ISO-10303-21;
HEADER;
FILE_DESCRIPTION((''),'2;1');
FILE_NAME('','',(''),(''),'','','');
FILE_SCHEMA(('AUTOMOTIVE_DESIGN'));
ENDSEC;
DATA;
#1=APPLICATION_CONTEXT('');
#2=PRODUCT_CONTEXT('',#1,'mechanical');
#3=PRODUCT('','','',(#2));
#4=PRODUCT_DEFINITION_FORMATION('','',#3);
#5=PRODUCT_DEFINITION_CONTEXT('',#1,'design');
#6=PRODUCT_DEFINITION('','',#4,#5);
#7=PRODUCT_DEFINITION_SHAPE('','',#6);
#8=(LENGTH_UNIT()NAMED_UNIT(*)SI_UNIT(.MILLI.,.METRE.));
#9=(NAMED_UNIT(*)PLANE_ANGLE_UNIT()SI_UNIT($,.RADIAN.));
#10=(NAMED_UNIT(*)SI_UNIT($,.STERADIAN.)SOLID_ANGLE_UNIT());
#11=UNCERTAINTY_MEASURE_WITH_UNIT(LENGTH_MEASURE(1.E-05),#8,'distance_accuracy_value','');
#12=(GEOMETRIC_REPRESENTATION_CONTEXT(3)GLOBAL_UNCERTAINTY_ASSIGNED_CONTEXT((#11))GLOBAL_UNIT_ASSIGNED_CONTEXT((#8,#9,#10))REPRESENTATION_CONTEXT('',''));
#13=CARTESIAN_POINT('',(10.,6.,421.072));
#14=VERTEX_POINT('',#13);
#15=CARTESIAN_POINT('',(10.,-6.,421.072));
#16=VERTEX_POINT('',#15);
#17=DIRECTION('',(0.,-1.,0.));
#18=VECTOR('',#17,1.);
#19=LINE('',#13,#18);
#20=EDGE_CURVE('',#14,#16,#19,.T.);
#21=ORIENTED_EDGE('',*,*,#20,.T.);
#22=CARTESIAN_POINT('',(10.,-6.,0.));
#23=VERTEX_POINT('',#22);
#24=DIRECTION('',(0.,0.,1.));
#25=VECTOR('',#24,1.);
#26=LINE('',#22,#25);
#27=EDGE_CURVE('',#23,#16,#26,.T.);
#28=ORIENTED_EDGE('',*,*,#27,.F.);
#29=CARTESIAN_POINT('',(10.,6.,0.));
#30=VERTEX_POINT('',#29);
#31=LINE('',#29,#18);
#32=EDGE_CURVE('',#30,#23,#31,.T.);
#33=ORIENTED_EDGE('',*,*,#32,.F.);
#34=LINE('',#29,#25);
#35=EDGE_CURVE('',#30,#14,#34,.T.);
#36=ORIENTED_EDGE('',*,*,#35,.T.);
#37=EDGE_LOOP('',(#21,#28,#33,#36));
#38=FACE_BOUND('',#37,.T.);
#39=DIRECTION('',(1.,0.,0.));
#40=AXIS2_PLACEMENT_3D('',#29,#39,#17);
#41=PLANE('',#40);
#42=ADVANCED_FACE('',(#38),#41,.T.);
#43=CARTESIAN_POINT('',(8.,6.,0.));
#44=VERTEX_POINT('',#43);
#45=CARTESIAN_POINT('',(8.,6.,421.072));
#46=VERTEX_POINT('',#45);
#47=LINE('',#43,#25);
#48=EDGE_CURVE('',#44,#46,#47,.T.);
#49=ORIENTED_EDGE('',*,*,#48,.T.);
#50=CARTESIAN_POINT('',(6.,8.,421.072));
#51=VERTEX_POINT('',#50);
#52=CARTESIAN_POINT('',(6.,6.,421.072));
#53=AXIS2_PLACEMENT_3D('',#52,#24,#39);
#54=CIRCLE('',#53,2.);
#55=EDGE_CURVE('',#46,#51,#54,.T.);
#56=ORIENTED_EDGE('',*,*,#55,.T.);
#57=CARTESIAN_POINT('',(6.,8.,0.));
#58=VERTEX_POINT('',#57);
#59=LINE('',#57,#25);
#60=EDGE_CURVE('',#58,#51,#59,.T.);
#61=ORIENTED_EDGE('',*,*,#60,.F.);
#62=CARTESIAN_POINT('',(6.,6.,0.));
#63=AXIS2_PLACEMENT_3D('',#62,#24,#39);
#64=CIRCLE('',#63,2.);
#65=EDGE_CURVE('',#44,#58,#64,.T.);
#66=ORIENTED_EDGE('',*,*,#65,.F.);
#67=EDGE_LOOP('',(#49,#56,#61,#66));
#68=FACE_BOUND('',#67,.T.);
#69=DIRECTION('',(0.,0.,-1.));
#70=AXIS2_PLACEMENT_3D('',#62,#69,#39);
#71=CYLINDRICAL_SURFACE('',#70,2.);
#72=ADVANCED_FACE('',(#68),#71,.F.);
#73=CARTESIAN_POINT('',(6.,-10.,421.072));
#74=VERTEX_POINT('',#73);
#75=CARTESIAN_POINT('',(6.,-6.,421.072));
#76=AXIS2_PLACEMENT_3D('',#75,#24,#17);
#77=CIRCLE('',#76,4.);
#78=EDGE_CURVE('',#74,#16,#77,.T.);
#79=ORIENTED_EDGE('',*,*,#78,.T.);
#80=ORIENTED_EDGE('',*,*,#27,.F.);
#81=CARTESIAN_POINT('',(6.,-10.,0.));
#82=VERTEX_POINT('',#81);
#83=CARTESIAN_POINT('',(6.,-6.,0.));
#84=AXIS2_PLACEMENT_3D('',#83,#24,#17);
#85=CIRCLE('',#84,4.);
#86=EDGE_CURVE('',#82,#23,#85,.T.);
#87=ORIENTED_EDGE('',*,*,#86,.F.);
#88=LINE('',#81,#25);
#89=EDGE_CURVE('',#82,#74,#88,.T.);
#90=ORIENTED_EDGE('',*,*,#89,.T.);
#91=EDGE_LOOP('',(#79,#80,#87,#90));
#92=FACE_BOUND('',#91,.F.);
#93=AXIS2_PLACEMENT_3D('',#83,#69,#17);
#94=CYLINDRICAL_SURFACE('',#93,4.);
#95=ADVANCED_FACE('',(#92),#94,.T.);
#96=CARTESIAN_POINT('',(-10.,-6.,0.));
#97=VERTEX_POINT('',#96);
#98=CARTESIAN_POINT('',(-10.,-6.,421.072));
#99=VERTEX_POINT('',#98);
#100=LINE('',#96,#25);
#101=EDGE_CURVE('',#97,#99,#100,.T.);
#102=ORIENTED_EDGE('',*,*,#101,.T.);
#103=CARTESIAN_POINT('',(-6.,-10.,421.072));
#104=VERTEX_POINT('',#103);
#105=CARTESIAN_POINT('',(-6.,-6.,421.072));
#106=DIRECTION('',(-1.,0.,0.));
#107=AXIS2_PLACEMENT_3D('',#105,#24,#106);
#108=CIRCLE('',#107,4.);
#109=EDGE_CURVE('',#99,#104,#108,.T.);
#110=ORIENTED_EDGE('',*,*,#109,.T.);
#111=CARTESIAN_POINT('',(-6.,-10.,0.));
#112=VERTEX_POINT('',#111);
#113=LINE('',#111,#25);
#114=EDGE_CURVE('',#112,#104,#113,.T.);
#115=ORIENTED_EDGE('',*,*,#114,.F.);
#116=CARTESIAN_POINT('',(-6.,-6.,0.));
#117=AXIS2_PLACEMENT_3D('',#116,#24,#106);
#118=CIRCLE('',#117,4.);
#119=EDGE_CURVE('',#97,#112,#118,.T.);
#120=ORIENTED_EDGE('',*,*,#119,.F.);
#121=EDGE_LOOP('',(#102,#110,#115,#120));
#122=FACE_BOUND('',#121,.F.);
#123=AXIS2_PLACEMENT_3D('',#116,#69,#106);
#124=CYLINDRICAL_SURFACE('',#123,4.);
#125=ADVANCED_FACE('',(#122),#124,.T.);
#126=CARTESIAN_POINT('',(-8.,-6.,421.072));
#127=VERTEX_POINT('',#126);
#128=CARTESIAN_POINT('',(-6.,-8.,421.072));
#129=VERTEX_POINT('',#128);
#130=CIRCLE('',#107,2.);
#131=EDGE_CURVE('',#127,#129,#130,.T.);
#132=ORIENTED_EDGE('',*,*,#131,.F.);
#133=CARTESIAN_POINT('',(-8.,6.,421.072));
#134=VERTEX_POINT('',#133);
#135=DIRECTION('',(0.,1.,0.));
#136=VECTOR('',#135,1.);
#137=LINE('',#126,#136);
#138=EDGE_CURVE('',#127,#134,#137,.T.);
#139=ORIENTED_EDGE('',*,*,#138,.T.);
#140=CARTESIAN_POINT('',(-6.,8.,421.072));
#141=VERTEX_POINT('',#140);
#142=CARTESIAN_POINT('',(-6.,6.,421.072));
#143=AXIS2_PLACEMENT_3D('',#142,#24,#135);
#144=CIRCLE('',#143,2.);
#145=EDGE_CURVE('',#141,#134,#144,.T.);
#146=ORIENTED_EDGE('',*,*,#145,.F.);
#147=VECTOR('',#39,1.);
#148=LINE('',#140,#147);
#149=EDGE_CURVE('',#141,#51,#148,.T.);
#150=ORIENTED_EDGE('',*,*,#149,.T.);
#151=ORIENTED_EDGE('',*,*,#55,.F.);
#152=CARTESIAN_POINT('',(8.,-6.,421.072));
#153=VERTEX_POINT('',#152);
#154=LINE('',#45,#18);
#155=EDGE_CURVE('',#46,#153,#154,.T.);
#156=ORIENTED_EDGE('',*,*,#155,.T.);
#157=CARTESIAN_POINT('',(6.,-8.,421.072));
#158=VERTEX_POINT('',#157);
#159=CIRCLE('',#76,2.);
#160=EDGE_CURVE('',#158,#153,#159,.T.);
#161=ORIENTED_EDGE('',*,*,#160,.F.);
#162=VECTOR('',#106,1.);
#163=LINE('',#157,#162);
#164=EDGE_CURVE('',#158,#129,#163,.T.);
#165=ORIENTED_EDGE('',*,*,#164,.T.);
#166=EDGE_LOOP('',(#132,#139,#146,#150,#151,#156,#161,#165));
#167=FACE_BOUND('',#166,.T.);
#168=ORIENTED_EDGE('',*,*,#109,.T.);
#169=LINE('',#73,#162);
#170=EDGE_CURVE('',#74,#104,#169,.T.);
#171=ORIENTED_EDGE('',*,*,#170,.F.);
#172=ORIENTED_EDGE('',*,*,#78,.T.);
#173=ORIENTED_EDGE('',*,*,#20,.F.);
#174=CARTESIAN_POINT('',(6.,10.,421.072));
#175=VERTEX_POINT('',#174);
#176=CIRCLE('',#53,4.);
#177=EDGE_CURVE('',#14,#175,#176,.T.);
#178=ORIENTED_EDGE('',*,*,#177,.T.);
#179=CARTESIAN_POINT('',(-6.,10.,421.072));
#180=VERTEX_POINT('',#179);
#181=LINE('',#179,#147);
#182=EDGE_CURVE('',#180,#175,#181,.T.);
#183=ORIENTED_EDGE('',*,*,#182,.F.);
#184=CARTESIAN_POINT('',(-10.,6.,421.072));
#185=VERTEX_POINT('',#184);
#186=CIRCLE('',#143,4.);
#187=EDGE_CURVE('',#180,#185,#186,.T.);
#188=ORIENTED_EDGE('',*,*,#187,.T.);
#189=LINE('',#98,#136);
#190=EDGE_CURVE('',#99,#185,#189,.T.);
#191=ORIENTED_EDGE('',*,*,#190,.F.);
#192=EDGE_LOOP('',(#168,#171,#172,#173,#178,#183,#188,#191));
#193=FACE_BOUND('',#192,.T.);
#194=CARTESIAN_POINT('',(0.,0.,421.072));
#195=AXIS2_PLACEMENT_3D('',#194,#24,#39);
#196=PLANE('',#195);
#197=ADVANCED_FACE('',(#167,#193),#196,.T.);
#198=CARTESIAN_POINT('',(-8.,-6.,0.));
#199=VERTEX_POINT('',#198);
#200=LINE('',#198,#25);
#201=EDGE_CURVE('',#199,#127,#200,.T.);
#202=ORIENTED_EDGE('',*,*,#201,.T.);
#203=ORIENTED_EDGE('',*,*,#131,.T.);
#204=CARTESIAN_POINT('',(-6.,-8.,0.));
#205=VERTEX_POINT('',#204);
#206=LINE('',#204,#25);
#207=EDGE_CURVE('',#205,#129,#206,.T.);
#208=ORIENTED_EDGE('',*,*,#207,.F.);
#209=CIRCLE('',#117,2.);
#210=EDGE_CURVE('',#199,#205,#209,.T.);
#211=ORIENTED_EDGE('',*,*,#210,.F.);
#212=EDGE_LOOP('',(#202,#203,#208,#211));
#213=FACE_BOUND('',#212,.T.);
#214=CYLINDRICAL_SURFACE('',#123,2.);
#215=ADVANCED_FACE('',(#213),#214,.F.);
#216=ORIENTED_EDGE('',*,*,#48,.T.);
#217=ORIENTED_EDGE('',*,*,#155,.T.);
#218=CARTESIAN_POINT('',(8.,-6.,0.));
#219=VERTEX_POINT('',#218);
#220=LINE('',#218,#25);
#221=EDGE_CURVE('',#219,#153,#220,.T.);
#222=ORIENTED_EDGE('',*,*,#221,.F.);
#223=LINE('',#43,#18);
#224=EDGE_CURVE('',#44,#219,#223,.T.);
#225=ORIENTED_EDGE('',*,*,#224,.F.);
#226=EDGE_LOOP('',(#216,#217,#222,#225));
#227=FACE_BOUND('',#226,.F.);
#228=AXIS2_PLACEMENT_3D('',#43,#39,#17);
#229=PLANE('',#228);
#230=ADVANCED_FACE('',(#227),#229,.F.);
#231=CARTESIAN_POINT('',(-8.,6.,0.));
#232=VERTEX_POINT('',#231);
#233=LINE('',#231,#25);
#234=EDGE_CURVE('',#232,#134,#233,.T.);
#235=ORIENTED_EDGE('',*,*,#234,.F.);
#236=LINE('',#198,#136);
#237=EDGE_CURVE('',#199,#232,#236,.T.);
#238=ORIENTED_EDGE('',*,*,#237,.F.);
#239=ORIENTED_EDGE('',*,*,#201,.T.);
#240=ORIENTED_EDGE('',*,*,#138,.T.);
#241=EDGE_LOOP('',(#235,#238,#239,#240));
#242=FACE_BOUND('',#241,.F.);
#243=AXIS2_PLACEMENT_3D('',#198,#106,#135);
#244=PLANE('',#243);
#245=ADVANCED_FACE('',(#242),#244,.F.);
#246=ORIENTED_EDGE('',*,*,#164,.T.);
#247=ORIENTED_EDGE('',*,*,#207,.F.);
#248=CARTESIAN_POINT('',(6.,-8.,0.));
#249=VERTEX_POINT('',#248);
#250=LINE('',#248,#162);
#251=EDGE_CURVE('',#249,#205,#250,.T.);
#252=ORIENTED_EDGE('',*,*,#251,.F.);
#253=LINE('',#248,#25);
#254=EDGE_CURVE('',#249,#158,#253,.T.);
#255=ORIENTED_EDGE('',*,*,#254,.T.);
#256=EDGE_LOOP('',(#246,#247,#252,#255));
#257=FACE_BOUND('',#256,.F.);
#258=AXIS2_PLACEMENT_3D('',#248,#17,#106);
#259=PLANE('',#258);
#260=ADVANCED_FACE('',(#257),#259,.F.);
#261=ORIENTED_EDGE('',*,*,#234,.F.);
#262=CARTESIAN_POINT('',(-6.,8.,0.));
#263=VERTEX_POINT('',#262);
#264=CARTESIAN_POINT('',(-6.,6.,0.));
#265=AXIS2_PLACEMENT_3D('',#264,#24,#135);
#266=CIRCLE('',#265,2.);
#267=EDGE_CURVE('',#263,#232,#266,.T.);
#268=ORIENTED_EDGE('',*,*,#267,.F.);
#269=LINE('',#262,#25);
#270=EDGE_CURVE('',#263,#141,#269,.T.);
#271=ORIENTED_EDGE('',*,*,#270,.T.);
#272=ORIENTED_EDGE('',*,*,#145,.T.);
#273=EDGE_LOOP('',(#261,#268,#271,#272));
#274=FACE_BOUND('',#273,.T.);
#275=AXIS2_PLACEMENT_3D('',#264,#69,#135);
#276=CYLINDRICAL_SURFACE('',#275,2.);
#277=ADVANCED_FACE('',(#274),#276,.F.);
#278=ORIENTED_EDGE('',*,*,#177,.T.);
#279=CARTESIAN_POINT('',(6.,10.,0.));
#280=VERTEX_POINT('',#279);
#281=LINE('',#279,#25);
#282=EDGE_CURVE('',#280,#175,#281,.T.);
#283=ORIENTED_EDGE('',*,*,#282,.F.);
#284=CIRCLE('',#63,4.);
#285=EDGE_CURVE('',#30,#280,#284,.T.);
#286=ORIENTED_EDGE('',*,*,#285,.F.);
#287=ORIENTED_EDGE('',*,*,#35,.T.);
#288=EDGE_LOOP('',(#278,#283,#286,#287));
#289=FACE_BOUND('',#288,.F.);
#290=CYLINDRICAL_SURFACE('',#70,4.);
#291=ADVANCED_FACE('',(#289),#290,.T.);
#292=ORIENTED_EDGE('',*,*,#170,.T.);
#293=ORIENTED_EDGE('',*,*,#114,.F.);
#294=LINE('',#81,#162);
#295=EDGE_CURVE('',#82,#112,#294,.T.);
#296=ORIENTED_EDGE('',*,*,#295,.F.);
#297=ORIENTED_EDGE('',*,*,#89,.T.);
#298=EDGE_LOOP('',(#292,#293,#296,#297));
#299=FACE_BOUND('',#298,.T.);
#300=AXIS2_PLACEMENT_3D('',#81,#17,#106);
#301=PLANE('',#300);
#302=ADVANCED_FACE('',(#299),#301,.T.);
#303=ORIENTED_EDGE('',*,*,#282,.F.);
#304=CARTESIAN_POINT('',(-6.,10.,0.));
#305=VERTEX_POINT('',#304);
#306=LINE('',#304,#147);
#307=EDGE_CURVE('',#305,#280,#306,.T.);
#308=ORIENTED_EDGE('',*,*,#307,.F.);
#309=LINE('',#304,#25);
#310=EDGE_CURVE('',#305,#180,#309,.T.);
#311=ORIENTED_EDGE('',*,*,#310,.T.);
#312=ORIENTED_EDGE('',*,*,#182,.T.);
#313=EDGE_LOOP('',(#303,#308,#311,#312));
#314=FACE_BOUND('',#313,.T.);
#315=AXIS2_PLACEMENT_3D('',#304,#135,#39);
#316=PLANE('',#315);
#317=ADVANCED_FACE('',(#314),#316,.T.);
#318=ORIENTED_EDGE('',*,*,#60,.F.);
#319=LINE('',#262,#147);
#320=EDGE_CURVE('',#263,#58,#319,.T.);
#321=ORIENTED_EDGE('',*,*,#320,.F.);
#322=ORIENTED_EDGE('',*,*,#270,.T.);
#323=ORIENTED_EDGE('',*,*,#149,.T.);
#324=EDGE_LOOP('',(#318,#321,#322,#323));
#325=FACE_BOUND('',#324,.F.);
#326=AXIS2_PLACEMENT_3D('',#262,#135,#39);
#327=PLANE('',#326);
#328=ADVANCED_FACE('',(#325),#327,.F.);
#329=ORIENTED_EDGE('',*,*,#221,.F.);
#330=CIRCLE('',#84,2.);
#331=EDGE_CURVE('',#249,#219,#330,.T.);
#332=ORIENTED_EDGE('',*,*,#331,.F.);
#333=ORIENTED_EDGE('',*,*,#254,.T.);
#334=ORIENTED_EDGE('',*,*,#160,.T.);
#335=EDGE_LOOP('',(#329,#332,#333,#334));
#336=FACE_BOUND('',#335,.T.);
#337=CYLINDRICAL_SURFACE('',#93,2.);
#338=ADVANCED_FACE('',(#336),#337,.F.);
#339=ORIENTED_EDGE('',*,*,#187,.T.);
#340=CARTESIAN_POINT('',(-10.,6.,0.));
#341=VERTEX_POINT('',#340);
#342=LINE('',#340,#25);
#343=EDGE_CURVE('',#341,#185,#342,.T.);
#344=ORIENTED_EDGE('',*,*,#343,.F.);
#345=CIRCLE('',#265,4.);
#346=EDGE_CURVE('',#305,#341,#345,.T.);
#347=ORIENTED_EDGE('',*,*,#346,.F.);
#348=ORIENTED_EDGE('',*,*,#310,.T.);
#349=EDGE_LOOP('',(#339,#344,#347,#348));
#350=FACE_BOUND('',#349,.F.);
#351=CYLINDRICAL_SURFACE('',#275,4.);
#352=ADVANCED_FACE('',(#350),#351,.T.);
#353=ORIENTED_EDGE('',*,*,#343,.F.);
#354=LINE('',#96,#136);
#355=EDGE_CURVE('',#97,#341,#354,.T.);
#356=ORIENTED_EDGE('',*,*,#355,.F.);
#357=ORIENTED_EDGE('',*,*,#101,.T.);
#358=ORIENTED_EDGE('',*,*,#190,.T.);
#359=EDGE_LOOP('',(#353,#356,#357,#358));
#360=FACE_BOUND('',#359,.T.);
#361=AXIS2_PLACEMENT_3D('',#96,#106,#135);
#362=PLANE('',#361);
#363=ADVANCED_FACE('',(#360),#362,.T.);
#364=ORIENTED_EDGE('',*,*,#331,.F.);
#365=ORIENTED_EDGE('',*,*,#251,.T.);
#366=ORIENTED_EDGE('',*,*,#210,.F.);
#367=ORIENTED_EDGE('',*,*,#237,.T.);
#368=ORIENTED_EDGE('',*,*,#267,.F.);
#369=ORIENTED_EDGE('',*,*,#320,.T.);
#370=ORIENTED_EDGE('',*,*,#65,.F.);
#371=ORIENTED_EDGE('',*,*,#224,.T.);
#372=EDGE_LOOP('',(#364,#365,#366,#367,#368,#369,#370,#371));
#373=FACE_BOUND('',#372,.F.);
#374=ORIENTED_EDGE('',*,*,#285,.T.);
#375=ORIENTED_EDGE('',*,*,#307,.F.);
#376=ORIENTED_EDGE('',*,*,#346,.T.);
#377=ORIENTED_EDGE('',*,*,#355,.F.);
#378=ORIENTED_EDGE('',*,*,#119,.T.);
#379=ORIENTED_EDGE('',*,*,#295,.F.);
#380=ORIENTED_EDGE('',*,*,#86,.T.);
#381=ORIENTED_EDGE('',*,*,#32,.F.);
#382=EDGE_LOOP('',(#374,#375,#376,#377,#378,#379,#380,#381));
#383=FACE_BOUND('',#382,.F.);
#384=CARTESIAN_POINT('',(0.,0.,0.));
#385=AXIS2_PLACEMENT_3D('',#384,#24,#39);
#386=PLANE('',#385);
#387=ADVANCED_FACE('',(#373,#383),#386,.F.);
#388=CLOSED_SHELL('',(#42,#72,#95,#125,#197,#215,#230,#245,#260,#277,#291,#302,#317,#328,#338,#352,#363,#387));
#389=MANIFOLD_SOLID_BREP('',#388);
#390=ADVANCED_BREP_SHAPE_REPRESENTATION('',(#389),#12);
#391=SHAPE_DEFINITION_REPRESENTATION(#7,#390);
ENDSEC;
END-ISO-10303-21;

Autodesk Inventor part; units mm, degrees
ref_plane "YZ Plane" through (0, 0, 0) normal (1, 0, 0) x (0, 1, 0)
ref_plane "Plan de départ" through (0, 0, 0) normal (0, 0, 1) x (1, 0, 0)
ref_plane "Plan de fin" through (0, 0, 421.072) normal (0, 0, 1) x (1, 0, 0)
sketch "Esquisse" plane through (0, 0, 0) normal (0, 0, 1) x (1, 0, 0)
  line L0 (-10, -6) -> (-10, 6)
  line L1 (-6, 10) -> (6, 10)
  line L2 (10, 6) -> (10, -6)
  line L3 (6, -10) -> (-6, -10)
  arc A0 (-10, -6) -> (-6, -10) centre (-6, -6) ccw
  arc A1 (10, 6) -> (6, 10) centre (6, 6) ccw
  arc A2 (-6, 10) -> (-10, 6) centre (-6, 6) ccw
  arc A3 (6, -10) -> (10, -6) centre (6, -6) ccw
  arc A4 (-6, 8) -> (-8, 6) centre (-6, 6) ccw
  line L4 (-6, 8) -> (6, 8)
  arc A5 (8, 6) -> (6, 8) centre (6, 6) ccw
  line L5 (8, 6) -> (8, -6)
  arc A6 (6, -8) -> (8, -6) centre (6, -6) ccw
  line L6 (6, -8) -> (-6, -8)
  arc A7 (-8, -6) -> (-6, -8) centre (-6, -6) ccw
  line L7 (-8, -6) -> (-8, 6)
  line L8 (0, 15.1598) -> (0, -15.1598) construction
  line L9 (-15.1598, 0) -> (15.1598, 0) construction
  dimension "d7" = 4
  dimension "d9" = 20
  dimension "d11" = 20
  dimension "d12" = 2
  dimension "d15" = 10
  dimension "d16" = 10
extrude "Corps" add sketch "Esquisse" along normal up to surface (421.072 mm away) from surface at 0
sketch "Sketch3" plane through (0, 0, 0) normal (0, 0, 1) x (1, 0, 0)
  line L0 (0, 0) -> (10, 0)
ref_plane "Work Plane3" through (0, 0, 0) normal (0, -1, 0) x (1, 0, 0)
sketch "Sketch4" plane through (0, 0, 0) normal (0, -1, 0) x (1, 0, 0)
  line L0 (-2, 0) -> (12, 0) projected
  line L1 (-2, 421.072) -> (12, 421.072) projected
  dimension "d18" = 421.072
equation "\"d7\" = G_IR"
equation "\"d9\" = G_W"
equation "\"d11\" = G_H"
equation "\"d12\" = G_T"
equation "\"d15\" = 0.5 * d9"
equation "\"d16\" = 0.5 * d11"
equation "\"d3\" = G_L"
equation "\"G_W\" = 20"
equation "\"G_H\" = 20"
equation "\"G_T\" = 2"
equation "\"G_IR\" = 4"
equation "\"G_L\" = d18"
equation "\"G_OFFSET_START\" = 0"
equation "\"G_OFFSET_END\" = 0"
equation "\"d14\" = G_OFFSET_END + B_L"
equation "\"B_L\" = 421.07202"
properties part number "ISO 10799-2 - 20x20x2 - 421,07" material "Acier, doux"
